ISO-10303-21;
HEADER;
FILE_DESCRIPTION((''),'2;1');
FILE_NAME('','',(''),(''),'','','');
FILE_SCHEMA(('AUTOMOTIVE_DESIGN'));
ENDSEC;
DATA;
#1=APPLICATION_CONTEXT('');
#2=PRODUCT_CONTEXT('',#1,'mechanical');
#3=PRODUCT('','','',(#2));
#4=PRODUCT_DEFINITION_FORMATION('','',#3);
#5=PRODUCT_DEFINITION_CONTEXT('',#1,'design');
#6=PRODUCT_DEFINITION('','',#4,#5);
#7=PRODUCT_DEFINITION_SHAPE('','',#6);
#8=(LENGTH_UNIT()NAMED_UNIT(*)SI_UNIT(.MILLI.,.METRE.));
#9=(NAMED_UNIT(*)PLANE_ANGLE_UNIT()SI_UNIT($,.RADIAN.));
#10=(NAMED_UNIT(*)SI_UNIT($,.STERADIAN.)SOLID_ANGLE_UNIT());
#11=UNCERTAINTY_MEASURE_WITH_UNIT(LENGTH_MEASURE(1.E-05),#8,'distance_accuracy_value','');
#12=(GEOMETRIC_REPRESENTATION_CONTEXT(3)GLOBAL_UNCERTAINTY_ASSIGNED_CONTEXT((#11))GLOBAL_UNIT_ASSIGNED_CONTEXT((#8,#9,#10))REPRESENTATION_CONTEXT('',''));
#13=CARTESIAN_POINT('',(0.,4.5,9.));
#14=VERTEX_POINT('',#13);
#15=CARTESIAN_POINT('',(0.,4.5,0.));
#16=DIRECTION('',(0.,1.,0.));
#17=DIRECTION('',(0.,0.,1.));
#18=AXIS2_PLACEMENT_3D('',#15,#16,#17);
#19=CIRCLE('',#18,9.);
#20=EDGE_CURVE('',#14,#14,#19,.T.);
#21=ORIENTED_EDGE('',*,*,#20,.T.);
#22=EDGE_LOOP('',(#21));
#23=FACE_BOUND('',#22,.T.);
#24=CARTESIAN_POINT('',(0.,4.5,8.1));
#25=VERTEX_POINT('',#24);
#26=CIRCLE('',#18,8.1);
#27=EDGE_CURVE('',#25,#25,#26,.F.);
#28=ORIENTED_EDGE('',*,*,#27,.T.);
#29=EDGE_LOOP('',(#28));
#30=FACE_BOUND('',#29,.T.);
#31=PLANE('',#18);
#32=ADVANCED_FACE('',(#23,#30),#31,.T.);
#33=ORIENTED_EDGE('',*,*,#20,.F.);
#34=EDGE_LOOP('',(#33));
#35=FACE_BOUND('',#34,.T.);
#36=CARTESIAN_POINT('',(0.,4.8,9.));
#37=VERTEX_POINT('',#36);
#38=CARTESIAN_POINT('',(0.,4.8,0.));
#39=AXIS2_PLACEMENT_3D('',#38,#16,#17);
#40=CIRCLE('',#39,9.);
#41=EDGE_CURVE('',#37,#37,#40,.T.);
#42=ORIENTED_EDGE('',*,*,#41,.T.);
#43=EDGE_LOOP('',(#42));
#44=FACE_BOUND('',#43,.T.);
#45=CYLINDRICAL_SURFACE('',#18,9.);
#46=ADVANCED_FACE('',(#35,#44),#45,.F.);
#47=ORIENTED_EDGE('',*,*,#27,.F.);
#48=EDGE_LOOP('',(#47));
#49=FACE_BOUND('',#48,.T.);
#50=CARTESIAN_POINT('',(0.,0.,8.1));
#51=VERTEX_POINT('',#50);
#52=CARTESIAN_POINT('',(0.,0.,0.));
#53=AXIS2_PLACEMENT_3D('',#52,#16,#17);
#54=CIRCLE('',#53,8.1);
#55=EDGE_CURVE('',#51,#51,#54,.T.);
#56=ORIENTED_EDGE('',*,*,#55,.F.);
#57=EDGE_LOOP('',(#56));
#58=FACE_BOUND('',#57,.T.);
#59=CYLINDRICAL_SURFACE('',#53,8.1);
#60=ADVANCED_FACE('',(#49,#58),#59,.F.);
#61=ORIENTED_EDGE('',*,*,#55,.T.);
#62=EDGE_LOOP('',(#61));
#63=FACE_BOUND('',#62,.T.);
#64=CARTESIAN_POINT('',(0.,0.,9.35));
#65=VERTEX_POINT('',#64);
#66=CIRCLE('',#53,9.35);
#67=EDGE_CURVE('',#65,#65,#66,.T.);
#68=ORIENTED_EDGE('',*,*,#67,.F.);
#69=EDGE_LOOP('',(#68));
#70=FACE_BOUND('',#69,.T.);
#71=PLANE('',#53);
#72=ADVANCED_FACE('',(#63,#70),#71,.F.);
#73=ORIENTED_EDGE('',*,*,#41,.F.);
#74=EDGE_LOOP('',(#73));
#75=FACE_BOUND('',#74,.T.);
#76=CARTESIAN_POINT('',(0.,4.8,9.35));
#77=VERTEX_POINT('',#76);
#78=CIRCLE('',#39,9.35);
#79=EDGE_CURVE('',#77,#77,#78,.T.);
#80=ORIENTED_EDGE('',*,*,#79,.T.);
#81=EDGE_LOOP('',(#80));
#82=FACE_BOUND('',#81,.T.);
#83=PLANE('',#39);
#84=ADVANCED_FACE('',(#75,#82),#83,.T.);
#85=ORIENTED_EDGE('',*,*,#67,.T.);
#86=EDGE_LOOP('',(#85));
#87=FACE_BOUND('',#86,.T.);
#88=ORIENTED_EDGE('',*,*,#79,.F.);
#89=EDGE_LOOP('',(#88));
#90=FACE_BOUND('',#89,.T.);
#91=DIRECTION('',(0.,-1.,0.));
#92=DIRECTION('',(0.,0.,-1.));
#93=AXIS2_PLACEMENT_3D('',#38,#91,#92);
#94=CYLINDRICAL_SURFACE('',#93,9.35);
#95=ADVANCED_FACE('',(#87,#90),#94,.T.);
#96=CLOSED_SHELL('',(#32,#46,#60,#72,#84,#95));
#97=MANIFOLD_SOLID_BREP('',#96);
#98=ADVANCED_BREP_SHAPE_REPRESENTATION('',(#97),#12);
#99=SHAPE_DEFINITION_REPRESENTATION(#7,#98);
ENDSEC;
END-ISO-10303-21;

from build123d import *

# Parameters (mm, degrees)
SKETCH1_R               = 9.35
BOSS_EXTRUDE1_DEPTH     = 4.8
CUT_EXTRUDE1_DEPTH      = 15.067160339
CUT_EXTRUDE1_DEPTH_BACK = 15.067160339
SKETCH2_R               = 8.1
SKETCH3_R               = 9
CUT_EXTRUDE2_DEPTH      = 0.3


with BuildPart() as part:
    # Sketch1 → Boss-Extrude1 (new body)
    with BuildSketch(Plane(origin=(0, 0, 0), x_dir=(1, 0, 0), z_dir=(0, 1, 0))):
        with Locations(Location((0, 0, 0), (0, 0, 270))):
            Circle(SKETCH1_R)
    extrude(amount=BOSS_EXTRUDE1_DEPTH)

    # Sketch2 → Cut-Extrude1 (cut, two sides: drawn at the far end of the back side and taken through both)
    with BuildSketch(Plane(origin=(0, 4.8, 0), x_dir=(1, 0, 0), z_dir=(0, 1, 0)).offset(-CUT_EXTRUDE1_DEPTH_BACK)):
        with Locations(Location((0, 0, 0), (0, 0, 270))):
            Circle(SKETCH2_R)
    extrude(amount=CUT_EXTRUDE1_DEPTH + CUT_EXTRUDE1_DEPTH_BACK, mode=Mode.SUBTRACT)

    # Sketch3 → Cut-Extrude2 (cut)
    with BuildSketch(Plane(origin=(0, 4.8, 0), x_dir=(1, 0, 0), z_dir=(0, 1, 0))):
        with Locations(Location((0, 0, 0), (0, 0, 270))):
            Circle(SKETCH3_R)
    extrude(amount=-CUT_EXTRUDE2_DEPTH, mode=Mode.SUBTRACT)


solid = part.part
